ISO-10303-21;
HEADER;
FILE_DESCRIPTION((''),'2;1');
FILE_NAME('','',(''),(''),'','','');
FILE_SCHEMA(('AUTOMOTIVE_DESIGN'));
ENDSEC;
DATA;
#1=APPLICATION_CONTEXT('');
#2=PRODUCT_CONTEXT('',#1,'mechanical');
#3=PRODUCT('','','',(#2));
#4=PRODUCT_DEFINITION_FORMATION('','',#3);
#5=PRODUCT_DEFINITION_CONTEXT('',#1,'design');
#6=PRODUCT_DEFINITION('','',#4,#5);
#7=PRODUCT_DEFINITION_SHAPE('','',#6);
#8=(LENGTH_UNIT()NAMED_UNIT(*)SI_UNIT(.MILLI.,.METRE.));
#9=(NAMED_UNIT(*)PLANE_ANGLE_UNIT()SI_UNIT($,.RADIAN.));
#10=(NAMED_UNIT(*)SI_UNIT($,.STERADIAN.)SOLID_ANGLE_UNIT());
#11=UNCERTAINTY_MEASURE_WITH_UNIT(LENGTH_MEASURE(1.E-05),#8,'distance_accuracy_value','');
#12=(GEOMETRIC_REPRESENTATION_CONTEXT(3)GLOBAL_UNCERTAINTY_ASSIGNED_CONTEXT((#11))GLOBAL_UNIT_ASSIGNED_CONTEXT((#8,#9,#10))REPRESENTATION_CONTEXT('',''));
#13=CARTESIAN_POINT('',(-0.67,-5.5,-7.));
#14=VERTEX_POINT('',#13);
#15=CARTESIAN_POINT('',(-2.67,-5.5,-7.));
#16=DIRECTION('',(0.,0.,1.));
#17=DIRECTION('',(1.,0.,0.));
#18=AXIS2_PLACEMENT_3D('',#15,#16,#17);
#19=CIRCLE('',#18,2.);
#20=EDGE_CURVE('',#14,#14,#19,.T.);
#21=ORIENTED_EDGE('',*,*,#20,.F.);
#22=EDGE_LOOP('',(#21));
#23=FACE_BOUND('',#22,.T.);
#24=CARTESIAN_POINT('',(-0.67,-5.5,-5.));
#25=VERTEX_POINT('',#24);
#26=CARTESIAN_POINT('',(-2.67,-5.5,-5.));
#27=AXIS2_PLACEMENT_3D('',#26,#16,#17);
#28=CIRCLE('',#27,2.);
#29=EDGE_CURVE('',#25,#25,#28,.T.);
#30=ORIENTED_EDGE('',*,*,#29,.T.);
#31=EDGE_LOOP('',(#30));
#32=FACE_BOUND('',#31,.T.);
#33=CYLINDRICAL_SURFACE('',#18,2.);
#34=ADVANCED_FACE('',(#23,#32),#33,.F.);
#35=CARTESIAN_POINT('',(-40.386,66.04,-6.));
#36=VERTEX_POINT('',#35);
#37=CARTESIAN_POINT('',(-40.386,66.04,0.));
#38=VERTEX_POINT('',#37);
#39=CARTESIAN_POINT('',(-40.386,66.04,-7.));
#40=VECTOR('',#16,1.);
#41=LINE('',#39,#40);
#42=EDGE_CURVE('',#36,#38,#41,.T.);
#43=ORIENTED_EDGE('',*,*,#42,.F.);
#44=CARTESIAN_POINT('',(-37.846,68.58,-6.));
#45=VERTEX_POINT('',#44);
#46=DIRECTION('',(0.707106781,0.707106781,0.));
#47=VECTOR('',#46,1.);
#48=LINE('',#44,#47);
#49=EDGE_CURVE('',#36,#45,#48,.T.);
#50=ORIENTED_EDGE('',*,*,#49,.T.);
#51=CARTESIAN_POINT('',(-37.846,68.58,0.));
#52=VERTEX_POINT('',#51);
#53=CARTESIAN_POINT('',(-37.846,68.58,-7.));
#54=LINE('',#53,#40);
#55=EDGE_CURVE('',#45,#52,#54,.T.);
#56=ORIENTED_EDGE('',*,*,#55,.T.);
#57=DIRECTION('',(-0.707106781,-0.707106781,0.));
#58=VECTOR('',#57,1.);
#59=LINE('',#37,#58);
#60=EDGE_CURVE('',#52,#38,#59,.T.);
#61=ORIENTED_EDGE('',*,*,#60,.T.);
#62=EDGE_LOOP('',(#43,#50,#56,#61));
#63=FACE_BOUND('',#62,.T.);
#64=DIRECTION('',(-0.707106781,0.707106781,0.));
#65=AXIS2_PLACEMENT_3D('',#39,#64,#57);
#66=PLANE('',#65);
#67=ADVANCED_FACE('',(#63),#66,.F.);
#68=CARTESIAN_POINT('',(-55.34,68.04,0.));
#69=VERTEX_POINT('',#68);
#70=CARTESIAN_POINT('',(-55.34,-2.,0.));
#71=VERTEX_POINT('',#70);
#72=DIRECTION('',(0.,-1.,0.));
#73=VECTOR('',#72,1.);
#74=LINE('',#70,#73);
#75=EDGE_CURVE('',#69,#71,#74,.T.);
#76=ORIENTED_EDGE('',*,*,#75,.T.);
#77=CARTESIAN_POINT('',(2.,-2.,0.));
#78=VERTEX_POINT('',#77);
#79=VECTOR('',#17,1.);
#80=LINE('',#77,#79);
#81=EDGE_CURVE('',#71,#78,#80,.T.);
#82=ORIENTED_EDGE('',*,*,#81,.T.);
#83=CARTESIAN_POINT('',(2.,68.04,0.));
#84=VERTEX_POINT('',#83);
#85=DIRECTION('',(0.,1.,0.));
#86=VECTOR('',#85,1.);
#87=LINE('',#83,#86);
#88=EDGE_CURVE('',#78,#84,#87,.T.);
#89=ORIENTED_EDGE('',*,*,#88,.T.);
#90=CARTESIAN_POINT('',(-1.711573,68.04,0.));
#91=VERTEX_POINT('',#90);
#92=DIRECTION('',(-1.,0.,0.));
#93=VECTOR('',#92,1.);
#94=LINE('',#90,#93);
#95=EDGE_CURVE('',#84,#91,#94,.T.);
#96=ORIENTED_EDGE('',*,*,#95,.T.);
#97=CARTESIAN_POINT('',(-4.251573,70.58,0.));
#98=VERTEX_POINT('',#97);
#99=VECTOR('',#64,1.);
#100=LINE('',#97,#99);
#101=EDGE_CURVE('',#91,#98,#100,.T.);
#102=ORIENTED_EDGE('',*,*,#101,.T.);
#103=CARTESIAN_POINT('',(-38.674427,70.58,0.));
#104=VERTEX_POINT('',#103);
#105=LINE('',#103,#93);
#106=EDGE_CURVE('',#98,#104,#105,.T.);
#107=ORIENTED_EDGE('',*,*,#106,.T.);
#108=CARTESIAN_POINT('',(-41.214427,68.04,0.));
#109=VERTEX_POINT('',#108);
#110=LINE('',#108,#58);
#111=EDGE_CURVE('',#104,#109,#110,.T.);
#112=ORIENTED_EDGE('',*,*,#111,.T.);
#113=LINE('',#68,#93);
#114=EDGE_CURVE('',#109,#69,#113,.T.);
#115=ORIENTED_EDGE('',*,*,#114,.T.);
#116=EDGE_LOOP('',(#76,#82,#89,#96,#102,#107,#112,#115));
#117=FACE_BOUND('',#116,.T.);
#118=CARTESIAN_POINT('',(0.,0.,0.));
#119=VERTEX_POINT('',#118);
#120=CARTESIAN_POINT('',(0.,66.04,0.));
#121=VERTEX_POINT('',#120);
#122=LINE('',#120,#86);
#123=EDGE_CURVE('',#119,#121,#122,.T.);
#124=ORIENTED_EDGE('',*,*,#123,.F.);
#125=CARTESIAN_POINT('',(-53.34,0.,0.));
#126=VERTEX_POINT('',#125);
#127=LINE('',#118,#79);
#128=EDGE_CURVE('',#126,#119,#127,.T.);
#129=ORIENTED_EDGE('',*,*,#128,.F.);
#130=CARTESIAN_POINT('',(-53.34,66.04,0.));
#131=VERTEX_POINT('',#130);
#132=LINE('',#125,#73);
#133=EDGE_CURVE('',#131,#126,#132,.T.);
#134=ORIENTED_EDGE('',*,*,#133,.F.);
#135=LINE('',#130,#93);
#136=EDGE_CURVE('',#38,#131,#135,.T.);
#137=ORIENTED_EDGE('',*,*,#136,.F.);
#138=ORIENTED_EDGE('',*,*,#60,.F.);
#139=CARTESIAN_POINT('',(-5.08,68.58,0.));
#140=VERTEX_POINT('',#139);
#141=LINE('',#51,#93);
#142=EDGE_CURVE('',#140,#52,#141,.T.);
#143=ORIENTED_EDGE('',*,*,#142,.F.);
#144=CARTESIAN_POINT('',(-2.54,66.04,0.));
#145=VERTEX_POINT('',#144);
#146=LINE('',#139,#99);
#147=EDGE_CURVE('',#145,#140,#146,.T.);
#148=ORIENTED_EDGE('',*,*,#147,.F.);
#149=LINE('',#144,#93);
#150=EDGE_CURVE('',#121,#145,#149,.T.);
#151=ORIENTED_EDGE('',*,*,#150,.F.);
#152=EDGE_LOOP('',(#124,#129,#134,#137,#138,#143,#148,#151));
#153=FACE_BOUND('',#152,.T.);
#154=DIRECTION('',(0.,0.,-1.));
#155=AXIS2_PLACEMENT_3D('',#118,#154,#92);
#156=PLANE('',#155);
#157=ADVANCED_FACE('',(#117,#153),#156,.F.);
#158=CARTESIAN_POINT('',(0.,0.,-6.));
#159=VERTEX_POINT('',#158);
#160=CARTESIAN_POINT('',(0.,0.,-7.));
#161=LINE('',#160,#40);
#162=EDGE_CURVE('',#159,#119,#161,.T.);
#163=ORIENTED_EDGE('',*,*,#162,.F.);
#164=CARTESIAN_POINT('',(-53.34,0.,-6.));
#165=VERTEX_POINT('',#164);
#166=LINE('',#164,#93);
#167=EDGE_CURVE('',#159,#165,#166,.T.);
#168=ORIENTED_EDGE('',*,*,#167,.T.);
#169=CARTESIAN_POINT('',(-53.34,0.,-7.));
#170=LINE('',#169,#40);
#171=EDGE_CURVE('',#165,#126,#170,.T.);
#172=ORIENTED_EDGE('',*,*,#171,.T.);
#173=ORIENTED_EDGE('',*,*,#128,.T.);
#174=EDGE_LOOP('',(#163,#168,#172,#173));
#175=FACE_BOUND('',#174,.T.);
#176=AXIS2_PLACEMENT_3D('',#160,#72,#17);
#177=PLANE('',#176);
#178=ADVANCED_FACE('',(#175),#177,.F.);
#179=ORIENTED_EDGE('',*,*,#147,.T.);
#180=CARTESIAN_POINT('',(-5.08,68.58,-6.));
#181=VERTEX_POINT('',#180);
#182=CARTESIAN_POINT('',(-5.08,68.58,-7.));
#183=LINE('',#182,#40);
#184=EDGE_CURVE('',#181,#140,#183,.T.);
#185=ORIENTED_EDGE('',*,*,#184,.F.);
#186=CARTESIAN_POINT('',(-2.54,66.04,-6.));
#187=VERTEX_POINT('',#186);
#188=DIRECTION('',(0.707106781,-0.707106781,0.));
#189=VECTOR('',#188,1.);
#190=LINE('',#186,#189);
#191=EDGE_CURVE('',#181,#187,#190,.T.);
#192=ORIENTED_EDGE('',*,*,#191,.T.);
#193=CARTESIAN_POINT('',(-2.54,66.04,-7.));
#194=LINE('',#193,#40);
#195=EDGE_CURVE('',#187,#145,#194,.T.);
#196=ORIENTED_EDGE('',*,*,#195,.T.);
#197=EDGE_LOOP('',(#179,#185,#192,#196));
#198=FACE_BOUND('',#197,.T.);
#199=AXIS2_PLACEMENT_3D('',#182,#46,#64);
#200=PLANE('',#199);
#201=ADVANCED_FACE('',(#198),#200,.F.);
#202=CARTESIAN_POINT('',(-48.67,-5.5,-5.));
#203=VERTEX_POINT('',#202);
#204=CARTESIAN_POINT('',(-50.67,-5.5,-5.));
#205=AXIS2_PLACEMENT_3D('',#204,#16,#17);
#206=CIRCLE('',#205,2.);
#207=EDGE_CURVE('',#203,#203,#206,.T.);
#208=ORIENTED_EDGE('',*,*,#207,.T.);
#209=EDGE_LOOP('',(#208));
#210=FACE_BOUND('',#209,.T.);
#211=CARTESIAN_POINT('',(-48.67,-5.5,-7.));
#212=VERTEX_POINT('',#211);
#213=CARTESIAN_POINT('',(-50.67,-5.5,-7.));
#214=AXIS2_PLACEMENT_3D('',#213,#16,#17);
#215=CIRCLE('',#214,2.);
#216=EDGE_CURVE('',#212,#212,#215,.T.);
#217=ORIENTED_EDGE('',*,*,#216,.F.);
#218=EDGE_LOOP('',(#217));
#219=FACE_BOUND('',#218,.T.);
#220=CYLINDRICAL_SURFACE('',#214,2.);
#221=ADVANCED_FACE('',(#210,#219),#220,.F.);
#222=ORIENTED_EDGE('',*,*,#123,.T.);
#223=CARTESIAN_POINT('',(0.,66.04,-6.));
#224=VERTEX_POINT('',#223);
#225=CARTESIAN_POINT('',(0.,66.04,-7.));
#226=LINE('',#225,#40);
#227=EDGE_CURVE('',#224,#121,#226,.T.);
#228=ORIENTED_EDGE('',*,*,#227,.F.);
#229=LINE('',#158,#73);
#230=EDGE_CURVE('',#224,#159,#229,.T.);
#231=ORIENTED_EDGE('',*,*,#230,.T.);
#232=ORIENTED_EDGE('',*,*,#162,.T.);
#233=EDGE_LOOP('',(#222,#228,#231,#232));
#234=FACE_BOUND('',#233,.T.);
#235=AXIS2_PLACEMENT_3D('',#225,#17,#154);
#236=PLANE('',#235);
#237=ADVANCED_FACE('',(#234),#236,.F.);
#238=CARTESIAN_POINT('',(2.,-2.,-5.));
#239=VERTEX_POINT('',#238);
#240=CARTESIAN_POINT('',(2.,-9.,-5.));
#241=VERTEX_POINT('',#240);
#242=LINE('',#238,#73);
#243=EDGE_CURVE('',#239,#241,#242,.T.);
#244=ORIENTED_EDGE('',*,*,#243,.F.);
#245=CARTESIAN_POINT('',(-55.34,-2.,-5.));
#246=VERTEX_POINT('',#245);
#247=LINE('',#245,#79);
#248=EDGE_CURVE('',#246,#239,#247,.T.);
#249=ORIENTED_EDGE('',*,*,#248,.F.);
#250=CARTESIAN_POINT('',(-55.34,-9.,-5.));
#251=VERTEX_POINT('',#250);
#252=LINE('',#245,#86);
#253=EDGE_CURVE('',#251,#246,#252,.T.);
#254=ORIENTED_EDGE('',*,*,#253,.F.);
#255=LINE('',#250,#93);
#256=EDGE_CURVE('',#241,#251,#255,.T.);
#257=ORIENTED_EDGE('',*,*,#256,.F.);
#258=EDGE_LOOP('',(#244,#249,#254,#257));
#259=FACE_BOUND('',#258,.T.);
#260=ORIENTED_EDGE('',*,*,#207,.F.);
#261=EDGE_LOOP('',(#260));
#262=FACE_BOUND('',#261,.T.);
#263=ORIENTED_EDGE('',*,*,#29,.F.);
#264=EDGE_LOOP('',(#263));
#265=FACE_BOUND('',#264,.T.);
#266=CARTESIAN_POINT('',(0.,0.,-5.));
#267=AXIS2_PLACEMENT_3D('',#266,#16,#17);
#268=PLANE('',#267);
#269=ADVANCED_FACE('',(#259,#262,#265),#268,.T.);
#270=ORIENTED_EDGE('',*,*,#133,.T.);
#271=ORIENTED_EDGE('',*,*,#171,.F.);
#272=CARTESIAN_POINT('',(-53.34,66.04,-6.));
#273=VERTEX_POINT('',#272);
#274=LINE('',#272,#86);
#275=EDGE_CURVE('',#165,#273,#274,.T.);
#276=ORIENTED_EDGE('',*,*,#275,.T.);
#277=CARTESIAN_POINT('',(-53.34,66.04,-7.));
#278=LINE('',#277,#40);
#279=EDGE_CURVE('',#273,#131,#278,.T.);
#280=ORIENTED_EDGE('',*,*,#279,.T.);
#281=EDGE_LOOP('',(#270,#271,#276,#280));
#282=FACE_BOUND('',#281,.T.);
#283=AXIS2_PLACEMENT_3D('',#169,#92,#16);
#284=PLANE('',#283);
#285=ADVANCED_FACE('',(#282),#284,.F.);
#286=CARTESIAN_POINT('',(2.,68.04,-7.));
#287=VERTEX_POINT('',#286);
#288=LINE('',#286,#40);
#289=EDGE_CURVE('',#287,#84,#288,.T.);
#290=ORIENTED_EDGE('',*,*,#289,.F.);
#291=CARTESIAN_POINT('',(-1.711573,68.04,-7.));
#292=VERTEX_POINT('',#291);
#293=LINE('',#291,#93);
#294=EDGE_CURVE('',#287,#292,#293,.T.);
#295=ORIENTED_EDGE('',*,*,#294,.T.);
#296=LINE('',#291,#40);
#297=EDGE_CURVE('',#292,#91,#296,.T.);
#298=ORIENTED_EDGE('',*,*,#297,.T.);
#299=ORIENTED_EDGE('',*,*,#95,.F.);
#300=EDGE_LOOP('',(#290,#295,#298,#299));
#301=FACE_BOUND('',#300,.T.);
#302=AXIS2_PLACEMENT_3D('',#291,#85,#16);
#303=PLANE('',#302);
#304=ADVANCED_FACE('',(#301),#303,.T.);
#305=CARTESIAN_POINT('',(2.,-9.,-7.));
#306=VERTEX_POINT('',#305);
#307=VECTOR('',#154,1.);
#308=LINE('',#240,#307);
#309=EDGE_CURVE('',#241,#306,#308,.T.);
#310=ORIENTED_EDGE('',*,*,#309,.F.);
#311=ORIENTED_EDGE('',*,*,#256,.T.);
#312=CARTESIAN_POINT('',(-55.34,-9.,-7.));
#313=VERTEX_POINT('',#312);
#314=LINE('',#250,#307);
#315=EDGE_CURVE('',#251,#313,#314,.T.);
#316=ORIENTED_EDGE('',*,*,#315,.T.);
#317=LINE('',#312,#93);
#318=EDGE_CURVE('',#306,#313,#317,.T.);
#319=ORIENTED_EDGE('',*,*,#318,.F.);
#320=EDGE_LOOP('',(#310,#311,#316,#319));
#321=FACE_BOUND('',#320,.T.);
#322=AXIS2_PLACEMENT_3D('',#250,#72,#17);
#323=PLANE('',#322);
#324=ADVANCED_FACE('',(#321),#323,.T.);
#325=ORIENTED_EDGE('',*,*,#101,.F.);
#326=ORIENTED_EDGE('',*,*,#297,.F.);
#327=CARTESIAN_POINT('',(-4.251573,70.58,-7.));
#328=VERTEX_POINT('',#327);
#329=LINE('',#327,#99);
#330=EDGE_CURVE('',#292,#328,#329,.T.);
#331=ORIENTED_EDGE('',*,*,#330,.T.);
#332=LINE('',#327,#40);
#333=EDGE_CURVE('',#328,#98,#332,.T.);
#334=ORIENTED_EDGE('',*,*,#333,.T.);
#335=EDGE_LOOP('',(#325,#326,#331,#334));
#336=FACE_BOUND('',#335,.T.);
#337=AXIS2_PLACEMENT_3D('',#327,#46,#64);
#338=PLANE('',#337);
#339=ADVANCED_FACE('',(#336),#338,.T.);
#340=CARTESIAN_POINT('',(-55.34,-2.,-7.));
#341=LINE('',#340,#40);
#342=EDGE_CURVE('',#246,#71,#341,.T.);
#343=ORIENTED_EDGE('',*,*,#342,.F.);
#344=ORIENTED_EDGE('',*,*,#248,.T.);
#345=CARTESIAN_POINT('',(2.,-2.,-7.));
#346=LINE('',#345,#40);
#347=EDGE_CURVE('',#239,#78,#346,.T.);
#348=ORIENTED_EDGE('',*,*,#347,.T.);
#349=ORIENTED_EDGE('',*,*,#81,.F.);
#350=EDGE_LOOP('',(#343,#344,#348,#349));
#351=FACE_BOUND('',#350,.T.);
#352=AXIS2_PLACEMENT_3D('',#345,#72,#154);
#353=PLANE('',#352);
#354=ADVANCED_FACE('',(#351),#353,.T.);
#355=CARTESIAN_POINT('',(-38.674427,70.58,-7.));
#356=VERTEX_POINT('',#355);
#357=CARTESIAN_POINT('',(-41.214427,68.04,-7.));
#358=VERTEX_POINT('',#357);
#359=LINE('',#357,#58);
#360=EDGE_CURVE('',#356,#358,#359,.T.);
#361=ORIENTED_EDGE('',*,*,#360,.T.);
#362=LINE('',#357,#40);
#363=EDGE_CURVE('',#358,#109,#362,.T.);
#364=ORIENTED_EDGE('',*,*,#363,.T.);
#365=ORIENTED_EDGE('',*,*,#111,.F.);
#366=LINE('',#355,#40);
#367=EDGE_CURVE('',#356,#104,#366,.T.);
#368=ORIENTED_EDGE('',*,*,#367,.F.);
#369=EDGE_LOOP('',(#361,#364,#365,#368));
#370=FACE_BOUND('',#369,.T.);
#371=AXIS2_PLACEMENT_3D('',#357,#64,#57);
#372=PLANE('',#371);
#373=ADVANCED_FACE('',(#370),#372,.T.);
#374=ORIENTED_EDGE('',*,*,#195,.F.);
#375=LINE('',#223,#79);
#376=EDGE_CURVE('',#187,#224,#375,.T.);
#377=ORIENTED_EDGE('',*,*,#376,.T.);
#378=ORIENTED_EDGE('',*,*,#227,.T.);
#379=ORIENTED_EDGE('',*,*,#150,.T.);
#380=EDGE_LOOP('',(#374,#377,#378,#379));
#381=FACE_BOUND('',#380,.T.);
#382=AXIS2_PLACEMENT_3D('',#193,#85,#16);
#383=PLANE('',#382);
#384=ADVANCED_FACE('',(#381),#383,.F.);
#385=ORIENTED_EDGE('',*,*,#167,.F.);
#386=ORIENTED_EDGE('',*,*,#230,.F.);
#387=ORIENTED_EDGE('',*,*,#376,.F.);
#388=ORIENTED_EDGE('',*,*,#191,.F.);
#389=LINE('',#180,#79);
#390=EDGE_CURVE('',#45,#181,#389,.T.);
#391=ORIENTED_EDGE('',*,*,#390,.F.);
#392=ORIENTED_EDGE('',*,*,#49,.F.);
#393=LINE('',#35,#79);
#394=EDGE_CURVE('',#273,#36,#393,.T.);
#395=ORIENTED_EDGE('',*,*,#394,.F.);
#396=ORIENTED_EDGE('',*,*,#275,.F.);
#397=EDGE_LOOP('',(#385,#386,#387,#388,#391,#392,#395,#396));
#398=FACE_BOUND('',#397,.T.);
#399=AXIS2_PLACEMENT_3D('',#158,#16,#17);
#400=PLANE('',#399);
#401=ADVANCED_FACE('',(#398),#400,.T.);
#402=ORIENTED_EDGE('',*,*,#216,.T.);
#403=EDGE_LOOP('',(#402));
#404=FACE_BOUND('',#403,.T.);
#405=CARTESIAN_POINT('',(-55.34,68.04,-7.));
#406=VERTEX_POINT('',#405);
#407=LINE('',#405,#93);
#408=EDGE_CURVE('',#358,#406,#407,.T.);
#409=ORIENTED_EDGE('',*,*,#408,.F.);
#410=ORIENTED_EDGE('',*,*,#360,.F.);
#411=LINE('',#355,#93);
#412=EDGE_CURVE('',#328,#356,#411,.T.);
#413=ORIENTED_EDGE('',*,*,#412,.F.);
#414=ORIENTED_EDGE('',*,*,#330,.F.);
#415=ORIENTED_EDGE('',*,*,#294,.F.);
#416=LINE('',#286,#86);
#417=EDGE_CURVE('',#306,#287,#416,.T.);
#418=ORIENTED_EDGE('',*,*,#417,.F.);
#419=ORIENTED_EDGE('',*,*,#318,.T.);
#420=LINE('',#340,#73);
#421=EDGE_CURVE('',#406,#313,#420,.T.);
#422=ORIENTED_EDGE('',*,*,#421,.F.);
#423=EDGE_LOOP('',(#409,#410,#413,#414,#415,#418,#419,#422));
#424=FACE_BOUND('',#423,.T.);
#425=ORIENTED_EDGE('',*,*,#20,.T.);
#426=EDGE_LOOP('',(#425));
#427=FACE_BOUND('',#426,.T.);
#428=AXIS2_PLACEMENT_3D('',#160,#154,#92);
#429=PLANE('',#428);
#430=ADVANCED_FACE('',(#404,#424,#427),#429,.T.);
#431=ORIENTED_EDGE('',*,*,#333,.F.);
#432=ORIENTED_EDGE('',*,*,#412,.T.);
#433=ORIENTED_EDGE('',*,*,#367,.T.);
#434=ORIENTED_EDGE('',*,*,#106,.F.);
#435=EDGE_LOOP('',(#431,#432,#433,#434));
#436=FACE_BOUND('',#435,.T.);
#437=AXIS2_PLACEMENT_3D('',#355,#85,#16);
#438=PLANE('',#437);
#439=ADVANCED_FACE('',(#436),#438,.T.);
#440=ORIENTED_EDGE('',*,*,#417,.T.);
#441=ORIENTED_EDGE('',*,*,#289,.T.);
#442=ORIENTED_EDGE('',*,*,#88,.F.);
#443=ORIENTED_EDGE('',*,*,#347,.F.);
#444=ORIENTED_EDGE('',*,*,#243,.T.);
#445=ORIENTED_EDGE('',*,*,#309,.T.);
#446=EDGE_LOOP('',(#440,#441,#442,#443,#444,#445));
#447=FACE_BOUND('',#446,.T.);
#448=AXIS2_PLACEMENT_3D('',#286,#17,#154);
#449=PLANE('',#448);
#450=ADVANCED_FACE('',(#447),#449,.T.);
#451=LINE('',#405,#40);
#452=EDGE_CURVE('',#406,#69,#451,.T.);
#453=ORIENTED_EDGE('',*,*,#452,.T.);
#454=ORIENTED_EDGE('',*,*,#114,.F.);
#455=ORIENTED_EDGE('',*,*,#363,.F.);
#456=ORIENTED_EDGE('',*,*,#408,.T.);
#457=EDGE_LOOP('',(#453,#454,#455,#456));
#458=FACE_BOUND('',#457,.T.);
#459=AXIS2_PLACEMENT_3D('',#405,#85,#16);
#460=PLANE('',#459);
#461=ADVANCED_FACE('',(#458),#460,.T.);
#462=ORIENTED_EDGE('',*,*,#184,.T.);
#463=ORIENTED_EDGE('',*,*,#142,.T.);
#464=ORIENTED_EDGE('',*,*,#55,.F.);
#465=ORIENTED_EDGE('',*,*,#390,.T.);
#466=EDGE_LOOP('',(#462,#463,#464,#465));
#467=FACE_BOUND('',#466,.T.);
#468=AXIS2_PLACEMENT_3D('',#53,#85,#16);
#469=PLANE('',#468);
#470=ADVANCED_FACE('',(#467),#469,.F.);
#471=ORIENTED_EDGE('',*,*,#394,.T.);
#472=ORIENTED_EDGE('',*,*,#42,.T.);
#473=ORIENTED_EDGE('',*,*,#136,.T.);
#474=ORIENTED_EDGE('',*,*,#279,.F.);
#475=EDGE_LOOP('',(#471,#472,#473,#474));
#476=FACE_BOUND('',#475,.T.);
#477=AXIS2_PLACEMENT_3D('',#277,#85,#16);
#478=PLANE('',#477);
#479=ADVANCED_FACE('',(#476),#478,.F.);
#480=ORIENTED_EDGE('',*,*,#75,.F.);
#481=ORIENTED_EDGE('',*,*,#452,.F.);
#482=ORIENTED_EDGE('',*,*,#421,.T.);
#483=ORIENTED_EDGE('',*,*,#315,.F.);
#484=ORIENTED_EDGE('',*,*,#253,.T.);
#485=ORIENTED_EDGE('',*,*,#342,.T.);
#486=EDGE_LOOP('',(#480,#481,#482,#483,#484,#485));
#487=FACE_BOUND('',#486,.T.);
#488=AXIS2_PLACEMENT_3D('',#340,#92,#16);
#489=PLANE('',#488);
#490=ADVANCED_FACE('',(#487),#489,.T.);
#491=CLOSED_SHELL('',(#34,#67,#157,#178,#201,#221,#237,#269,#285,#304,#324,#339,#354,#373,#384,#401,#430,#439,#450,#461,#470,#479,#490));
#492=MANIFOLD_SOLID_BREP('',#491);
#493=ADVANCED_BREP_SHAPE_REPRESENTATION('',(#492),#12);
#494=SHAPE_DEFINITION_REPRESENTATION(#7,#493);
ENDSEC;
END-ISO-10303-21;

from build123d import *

# Parameters (mm, degrees)
BOSS_EXTRUDE1_DEPTH = 7
BOSS_EXTRUDE2_DEPTH = 1
SKETCH3_W           = 57.34
SKETCH3_H           = 7
BOSS_EXTRUDE3_DEPTH = 2
SKETCH4_R           = 2
CUT_EXTRUDE1_DEPTH  = 2


with BuildPart() as part:
    # Sketch1 → Boss-Extrude1 (new body)
    with BuildSketch(Plane.XY):
        Polygon((2, -2), (-55.34, -2), (-55.34, 68.04), (-41.214427125, 68.04), (-38.674427125, 70.58), (-4.251572875, 70.58), (-1.711572875, 68.04), (2, 68.04), align=None)
        Polygon((-53.34, 0), (-53.34, 66.04), (-40.386, 66.04), (-37.846, 68.58), (-5.08, 68.58), (-2.54, 66.04), (0, 66.04), (0, 0), align=None, mode=Mode.SUBTRACT)
    extrude(amount=-BOSS_EXTRUDE1_DEPTH)

    # Sketch2 → Boss-Extrude2 (add)
    with BuildSketch(Plane(origin=(0, 0, -7), x_dir=(-1, 0, 0), z_dir=(0, 0, -1))):
        Polygon((53.34, 0), (0, 0), (0, 66.04), (2.54, 66.04), (5.08, 68.58), (37.846, 68.58), (40.386, 66.04), (53.34, 66.04), align=None)
    extrude(amount=-BOSS_EXTRUDE2_DEPTH)

    # Sketch3 → Boss-Extrude3 (add)
    with BuildSketch(Plane(origin=(0, 0, -7), x_dir=(-1, 0, 0), z_dir=(0, 0, -1))):
        with Locations((26.67, -5.5)):
            Rectangle(SKETCH3_W, SKETCH3_H)
    extrude(amount=-BOSS_EXTRUDE3_DEPTH)

    # Sketch4 → Cut-Extrude1 (cut)
    with BuildSketch(Plane.XY.offset(-5)):
        with Locations((-2.67, -5.5)):
            Circle(SKETCH4_R)
        with Locations((-50.67, -5.5)):
            Circle(SKETCH4_R)
    extrude(amount=-CUT_EXTRUDE1_DEPTH, mode=Mode.SUBTRACT)


solid = part.part
